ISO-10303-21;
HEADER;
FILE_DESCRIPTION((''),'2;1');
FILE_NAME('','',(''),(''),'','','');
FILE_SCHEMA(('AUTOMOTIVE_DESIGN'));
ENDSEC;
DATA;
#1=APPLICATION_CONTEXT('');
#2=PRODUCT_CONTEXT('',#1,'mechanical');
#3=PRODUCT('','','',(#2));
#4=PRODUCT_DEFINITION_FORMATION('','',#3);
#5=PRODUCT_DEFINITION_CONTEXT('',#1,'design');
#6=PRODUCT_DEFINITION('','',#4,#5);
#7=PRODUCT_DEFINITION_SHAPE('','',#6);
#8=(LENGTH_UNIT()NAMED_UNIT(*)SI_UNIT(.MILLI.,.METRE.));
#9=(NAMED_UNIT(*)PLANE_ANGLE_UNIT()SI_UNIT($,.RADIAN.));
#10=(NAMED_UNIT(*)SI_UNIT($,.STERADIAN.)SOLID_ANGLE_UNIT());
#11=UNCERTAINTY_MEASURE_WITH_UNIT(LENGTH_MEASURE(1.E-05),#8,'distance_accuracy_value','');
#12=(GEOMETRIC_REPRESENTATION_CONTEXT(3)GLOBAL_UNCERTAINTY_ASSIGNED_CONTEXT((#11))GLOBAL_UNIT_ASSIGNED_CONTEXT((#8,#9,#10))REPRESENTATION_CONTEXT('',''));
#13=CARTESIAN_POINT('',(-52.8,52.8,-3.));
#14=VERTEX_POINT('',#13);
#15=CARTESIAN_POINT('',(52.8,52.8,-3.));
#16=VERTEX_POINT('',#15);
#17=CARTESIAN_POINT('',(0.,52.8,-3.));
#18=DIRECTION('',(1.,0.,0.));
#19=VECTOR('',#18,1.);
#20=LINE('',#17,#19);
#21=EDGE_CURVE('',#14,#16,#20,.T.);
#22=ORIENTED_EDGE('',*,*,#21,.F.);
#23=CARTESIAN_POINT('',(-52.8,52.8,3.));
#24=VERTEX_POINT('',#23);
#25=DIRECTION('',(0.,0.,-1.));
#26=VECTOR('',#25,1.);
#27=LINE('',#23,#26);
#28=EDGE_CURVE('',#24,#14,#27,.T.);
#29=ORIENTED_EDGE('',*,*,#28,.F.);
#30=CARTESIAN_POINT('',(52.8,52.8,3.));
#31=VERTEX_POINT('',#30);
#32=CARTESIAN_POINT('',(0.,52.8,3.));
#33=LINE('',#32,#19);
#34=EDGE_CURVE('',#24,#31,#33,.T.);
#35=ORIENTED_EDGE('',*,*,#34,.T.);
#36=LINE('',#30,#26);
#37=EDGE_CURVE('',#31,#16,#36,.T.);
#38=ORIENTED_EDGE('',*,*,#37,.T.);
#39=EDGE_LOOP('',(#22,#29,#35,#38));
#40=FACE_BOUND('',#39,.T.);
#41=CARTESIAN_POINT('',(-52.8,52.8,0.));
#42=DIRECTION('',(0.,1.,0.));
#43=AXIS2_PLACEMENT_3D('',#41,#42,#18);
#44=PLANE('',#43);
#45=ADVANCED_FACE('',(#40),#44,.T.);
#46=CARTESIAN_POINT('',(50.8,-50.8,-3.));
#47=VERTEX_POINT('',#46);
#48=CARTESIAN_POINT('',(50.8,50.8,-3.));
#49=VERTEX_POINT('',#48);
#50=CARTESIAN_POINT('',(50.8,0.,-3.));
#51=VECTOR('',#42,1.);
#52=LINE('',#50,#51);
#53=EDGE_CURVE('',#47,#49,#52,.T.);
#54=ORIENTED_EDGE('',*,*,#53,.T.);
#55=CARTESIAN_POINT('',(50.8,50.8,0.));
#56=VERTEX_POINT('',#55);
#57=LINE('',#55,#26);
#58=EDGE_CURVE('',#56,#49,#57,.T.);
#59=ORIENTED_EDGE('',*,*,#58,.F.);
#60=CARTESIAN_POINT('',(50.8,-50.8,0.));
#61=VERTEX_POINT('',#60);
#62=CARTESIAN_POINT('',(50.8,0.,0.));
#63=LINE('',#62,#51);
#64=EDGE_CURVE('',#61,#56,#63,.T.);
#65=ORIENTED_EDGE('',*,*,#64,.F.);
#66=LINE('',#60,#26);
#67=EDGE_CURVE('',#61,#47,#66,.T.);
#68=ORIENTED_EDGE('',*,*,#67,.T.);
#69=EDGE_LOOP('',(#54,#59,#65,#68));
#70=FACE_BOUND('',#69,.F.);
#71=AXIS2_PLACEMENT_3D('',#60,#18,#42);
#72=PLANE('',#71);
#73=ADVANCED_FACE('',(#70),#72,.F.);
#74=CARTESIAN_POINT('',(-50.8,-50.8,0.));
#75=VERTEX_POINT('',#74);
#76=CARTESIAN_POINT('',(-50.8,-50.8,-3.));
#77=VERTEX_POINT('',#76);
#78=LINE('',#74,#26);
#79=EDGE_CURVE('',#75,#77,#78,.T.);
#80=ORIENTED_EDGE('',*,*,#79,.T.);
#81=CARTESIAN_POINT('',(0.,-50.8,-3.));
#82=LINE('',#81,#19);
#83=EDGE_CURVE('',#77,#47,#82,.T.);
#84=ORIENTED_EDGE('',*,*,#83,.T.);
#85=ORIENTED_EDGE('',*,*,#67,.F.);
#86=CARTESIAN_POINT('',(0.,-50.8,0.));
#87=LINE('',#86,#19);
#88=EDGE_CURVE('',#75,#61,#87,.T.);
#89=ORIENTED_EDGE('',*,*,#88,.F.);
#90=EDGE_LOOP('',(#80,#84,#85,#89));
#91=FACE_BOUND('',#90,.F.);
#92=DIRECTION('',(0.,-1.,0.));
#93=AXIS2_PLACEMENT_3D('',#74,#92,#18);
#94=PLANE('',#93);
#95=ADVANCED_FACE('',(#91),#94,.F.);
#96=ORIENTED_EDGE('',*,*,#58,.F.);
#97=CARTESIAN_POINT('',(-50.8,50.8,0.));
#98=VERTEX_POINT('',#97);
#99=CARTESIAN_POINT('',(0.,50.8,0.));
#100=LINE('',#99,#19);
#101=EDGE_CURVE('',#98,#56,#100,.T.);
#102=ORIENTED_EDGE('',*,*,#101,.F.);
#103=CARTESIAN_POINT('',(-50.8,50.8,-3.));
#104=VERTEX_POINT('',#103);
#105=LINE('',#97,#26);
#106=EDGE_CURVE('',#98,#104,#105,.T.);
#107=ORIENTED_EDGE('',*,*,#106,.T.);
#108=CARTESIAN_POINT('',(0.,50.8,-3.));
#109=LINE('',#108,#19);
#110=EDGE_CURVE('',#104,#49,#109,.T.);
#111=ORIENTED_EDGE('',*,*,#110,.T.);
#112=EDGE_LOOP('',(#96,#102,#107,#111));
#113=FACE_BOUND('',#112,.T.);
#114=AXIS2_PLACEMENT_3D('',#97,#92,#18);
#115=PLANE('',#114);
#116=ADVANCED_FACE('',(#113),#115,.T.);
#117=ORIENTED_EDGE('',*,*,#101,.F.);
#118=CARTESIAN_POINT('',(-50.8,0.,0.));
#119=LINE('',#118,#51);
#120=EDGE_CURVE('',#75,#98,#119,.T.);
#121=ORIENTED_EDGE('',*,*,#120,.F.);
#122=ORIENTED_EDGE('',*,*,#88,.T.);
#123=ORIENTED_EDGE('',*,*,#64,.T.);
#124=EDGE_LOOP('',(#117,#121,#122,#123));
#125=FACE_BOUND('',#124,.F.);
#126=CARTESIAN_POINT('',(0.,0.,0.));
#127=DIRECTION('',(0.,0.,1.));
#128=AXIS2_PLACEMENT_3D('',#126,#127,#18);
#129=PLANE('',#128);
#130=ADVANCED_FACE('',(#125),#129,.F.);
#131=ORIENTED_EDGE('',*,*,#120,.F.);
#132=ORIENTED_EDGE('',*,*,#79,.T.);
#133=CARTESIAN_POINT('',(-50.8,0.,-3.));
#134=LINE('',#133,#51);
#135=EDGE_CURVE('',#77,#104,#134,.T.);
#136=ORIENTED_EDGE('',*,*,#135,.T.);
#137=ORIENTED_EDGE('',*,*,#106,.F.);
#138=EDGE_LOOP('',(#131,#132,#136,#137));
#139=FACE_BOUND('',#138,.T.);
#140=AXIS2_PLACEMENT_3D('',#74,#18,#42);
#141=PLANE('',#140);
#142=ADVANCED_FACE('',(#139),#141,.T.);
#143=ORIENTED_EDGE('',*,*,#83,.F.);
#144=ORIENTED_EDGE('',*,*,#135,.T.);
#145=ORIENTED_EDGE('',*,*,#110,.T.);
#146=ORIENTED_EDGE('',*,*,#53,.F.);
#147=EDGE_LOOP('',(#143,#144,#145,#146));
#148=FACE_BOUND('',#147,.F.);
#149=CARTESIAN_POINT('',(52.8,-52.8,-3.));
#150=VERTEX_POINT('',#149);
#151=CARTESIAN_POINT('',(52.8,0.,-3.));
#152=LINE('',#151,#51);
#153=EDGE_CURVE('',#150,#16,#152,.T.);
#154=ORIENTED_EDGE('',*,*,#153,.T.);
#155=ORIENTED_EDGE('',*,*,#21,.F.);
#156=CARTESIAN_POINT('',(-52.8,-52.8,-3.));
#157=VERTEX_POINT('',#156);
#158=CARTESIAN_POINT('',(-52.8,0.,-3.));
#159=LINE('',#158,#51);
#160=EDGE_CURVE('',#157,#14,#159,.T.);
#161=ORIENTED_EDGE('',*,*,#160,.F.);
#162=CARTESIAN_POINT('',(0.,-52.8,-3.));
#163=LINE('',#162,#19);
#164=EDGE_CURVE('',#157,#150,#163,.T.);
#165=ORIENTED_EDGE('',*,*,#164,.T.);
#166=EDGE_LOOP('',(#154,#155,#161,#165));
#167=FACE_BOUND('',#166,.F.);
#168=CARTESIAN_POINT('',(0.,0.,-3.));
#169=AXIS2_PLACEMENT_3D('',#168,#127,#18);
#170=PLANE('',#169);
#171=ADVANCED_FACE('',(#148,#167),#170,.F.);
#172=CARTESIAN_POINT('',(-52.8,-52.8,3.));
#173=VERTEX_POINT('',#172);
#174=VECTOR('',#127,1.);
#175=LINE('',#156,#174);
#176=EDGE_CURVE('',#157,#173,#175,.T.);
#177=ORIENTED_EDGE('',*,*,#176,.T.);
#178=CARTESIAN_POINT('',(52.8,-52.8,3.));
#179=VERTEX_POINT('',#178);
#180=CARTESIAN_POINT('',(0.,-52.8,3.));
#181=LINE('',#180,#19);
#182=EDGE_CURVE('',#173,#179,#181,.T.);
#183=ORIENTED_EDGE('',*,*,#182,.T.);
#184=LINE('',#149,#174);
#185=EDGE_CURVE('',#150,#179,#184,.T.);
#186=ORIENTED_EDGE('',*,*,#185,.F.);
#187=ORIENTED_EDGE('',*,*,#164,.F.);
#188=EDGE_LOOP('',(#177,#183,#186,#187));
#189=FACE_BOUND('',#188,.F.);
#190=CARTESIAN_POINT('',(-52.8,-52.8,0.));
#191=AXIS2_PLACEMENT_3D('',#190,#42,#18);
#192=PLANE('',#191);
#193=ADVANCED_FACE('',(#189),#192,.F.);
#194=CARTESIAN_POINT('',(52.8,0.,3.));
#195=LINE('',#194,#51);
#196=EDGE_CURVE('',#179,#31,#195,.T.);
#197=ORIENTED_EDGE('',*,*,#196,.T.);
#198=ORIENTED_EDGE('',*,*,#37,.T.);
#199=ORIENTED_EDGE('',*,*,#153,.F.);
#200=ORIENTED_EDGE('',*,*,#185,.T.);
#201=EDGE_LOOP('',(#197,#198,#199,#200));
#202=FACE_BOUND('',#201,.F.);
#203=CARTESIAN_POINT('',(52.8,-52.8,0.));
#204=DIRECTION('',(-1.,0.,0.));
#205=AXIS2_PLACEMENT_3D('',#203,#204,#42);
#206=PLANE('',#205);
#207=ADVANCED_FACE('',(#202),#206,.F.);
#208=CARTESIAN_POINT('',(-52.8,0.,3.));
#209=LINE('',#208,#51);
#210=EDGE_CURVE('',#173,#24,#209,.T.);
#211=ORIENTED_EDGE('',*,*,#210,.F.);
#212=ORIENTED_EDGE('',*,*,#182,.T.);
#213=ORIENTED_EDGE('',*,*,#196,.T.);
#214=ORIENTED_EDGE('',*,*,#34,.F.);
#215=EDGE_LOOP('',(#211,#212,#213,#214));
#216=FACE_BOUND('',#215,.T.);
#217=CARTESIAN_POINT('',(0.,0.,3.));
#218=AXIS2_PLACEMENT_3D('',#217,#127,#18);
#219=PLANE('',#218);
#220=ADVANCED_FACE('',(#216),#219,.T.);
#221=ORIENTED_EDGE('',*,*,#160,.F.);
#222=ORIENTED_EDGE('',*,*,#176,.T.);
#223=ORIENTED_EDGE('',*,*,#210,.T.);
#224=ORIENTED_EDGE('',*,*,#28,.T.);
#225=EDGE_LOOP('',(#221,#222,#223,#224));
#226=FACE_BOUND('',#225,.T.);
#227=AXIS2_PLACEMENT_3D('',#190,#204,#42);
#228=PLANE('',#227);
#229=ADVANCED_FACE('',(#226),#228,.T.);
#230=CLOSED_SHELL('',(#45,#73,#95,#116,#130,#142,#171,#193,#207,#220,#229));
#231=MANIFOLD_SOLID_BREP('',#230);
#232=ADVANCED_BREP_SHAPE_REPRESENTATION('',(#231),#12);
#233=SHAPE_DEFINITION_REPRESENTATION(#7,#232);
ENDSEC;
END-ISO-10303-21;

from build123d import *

# Parameters (mm, degrees)
F0_W     = 105.6
F0_H     = 105.6
F0_W_2   = 101.6
F0_H_2   = 101.6
F1_DEPTH = 3
F2_W     = 105.6
F2_H     = 105.6
F3_DEPTH = 3


with BuildPart() as f1:
    # F0 (on Top) → F1 (new body)
    with BuildSketch(Plane.XY):
        Rectangle(F0_W, F0_H)
        Rectangle(F0_W_2, F0_H_2, mode=Mode.SUBTRACT)
    extrude(amount=-F1_DEPTH)

    # F2 (on Top) → F3 (join)
    with BuildSketch(Plane.XY):
        Rectangle(F2_W, F2_H)
    extrude(amount=F3_DEPTH)


solid = f1.part
